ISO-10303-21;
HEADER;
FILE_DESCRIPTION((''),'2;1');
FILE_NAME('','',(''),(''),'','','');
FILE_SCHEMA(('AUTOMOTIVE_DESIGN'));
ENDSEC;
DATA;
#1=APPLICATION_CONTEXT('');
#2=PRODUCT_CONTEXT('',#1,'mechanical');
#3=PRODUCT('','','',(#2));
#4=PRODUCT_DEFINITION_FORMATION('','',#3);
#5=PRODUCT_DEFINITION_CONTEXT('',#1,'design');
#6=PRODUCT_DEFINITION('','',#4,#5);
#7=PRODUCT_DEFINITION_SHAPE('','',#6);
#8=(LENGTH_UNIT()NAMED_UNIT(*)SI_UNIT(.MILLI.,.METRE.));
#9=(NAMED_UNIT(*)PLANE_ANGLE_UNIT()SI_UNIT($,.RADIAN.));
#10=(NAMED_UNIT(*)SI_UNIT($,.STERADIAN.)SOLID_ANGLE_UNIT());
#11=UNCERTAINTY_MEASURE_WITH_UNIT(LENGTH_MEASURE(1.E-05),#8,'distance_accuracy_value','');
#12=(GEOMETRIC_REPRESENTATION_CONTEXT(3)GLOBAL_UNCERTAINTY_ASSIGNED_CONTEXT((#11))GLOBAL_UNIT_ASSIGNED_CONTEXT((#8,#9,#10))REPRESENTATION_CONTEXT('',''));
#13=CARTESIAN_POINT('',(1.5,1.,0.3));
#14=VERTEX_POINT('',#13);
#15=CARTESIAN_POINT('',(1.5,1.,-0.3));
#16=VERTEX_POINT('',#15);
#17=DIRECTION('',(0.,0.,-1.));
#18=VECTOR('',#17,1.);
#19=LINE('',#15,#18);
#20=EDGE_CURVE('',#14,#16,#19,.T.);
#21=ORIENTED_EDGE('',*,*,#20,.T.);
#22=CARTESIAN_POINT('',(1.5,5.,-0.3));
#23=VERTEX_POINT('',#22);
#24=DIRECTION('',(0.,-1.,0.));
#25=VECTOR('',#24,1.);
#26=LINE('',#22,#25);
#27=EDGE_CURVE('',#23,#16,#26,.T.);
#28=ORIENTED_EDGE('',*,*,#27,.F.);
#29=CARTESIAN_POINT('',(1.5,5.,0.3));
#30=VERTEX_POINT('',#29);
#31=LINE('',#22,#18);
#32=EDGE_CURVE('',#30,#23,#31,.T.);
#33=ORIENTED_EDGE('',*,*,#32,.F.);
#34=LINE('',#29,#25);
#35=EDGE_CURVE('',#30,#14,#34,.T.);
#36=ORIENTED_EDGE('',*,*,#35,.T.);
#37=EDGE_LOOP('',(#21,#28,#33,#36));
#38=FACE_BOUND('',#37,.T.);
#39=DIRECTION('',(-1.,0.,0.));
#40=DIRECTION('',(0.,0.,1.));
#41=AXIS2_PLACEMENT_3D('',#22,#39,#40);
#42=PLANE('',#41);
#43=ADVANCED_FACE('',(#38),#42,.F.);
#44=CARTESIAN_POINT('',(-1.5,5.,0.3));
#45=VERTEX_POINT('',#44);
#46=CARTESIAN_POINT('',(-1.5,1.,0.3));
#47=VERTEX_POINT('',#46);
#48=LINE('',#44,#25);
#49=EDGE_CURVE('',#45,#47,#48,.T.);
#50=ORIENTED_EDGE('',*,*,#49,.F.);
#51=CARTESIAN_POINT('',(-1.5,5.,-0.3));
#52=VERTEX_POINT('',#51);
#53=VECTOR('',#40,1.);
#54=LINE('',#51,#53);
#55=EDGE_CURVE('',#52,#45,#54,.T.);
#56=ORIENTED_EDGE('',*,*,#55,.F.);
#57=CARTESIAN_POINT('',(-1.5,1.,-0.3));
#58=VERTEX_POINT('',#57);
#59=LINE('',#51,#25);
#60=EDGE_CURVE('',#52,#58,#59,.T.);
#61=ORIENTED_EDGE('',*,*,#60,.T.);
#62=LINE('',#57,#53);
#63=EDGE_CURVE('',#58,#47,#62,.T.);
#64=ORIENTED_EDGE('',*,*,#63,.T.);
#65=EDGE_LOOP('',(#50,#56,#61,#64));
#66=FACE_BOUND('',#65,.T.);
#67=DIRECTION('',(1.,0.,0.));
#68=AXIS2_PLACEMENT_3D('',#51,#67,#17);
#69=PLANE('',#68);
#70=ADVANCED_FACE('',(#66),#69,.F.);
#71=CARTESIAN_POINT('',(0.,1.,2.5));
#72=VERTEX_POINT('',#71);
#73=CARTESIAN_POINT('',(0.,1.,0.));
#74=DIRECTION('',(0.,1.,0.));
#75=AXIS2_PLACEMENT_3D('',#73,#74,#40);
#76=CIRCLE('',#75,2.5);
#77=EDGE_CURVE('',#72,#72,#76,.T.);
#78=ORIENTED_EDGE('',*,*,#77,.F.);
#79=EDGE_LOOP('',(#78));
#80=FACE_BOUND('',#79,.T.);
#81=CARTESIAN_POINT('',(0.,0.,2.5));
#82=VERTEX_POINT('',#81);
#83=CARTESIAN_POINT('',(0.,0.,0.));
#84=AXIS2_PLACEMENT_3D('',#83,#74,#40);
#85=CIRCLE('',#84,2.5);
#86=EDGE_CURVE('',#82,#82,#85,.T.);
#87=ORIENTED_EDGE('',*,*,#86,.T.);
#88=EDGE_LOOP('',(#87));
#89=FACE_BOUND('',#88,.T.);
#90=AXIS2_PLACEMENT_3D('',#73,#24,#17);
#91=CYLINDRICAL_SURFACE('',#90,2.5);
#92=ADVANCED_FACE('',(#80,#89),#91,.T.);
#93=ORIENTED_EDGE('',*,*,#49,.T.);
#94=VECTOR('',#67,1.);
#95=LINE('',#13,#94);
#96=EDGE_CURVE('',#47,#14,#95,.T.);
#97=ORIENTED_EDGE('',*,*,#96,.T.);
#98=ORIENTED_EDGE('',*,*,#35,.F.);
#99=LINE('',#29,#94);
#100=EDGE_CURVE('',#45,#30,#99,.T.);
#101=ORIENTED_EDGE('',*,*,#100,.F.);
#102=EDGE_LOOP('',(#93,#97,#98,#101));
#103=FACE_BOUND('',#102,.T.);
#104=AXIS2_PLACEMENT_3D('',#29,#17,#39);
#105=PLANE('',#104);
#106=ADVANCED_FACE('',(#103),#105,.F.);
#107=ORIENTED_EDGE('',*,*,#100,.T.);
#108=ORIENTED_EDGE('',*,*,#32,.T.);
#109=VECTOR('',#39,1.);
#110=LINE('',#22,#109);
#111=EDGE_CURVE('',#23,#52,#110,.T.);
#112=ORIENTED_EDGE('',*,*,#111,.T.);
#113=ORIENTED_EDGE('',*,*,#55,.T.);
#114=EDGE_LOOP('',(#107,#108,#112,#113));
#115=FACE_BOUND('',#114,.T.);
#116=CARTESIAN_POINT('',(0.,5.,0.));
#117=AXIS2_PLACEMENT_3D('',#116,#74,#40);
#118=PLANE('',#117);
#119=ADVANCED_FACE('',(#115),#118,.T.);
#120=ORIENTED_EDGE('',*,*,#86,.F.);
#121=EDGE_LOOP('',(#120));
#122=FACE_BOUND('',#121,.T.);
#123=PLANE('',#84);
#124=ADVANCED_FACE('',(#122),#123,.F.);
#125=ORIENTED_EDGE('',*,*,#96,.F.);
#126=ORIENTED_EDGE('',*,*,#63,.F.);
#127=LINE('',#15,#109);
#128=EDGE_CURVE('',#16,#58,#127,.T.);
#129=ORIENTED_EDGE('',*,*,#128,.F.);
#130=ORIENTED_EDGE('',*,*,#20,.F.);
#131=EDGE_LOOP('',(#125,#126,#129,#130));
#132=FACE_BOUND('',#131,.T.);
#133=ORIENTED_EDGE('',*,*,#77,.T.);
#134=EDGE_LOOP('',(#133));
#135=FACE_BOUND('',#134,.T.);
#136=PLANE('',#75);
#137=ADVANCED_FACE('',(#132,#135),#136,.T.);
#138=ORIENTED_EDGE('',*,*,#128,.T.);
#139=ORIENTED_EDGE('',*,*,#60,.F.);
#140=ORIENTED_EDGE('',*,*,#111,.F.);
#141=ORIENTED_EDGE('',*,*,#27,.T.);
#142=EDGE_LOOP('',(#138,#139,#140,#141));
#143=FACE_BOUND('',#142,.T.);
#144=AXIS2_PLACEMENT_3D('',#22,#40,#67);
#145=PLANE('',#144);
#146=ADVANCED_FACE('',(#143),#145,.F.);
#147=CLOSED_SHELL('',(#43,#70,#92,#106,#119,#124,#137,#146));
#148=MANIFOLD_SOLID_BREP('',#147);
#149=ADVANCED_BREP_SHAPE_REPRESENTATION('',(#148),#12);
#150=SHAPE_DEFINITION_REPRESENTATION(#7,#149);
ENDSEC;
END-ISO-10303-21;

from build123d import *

# Parameters (mm, degrees)
SKIZZE1_R                       = 2.5
AUFSATZ_LINEAR_AUSTRAGEN1_DEPTH = 1
SKIZZE2_W                       = 3
SKIZZE2_H                       = 0.6
AUFSATZ_LINEAR_AUSTRAGEN2_DEPTH = 4


with BuildPart() as part:
    # Skizze1 → Aufsatz-Linear austragen1 (new body)
    with BuildSketch(Plane(origin=(0, 0, 0), x_dir=(1, 0, 0), z_dir=(0, 1, 0))):
        with Locations(Location((0, 0, 0), (0, 0, 270))):
            Circle(SKIZZE1_R)
    extrude(amount=AUFSATZ_LINEAR_AUSTRAGEN1_DEPTH)

    # Skizze2 → Aufsatz-Linear austragen2 (add)
    with BuildSketch(Plane(origin=(0, 1, 0), x_dir=(1, 0, 0), z_dir=(0, 1, 0))):
        Rectangle(SKIZZE2_W, SKIZZE2_H)
    extrude(amount=AUFSATZ_LINEAR_AUSTRAGEN2_DEPTH)


solid = part.part
